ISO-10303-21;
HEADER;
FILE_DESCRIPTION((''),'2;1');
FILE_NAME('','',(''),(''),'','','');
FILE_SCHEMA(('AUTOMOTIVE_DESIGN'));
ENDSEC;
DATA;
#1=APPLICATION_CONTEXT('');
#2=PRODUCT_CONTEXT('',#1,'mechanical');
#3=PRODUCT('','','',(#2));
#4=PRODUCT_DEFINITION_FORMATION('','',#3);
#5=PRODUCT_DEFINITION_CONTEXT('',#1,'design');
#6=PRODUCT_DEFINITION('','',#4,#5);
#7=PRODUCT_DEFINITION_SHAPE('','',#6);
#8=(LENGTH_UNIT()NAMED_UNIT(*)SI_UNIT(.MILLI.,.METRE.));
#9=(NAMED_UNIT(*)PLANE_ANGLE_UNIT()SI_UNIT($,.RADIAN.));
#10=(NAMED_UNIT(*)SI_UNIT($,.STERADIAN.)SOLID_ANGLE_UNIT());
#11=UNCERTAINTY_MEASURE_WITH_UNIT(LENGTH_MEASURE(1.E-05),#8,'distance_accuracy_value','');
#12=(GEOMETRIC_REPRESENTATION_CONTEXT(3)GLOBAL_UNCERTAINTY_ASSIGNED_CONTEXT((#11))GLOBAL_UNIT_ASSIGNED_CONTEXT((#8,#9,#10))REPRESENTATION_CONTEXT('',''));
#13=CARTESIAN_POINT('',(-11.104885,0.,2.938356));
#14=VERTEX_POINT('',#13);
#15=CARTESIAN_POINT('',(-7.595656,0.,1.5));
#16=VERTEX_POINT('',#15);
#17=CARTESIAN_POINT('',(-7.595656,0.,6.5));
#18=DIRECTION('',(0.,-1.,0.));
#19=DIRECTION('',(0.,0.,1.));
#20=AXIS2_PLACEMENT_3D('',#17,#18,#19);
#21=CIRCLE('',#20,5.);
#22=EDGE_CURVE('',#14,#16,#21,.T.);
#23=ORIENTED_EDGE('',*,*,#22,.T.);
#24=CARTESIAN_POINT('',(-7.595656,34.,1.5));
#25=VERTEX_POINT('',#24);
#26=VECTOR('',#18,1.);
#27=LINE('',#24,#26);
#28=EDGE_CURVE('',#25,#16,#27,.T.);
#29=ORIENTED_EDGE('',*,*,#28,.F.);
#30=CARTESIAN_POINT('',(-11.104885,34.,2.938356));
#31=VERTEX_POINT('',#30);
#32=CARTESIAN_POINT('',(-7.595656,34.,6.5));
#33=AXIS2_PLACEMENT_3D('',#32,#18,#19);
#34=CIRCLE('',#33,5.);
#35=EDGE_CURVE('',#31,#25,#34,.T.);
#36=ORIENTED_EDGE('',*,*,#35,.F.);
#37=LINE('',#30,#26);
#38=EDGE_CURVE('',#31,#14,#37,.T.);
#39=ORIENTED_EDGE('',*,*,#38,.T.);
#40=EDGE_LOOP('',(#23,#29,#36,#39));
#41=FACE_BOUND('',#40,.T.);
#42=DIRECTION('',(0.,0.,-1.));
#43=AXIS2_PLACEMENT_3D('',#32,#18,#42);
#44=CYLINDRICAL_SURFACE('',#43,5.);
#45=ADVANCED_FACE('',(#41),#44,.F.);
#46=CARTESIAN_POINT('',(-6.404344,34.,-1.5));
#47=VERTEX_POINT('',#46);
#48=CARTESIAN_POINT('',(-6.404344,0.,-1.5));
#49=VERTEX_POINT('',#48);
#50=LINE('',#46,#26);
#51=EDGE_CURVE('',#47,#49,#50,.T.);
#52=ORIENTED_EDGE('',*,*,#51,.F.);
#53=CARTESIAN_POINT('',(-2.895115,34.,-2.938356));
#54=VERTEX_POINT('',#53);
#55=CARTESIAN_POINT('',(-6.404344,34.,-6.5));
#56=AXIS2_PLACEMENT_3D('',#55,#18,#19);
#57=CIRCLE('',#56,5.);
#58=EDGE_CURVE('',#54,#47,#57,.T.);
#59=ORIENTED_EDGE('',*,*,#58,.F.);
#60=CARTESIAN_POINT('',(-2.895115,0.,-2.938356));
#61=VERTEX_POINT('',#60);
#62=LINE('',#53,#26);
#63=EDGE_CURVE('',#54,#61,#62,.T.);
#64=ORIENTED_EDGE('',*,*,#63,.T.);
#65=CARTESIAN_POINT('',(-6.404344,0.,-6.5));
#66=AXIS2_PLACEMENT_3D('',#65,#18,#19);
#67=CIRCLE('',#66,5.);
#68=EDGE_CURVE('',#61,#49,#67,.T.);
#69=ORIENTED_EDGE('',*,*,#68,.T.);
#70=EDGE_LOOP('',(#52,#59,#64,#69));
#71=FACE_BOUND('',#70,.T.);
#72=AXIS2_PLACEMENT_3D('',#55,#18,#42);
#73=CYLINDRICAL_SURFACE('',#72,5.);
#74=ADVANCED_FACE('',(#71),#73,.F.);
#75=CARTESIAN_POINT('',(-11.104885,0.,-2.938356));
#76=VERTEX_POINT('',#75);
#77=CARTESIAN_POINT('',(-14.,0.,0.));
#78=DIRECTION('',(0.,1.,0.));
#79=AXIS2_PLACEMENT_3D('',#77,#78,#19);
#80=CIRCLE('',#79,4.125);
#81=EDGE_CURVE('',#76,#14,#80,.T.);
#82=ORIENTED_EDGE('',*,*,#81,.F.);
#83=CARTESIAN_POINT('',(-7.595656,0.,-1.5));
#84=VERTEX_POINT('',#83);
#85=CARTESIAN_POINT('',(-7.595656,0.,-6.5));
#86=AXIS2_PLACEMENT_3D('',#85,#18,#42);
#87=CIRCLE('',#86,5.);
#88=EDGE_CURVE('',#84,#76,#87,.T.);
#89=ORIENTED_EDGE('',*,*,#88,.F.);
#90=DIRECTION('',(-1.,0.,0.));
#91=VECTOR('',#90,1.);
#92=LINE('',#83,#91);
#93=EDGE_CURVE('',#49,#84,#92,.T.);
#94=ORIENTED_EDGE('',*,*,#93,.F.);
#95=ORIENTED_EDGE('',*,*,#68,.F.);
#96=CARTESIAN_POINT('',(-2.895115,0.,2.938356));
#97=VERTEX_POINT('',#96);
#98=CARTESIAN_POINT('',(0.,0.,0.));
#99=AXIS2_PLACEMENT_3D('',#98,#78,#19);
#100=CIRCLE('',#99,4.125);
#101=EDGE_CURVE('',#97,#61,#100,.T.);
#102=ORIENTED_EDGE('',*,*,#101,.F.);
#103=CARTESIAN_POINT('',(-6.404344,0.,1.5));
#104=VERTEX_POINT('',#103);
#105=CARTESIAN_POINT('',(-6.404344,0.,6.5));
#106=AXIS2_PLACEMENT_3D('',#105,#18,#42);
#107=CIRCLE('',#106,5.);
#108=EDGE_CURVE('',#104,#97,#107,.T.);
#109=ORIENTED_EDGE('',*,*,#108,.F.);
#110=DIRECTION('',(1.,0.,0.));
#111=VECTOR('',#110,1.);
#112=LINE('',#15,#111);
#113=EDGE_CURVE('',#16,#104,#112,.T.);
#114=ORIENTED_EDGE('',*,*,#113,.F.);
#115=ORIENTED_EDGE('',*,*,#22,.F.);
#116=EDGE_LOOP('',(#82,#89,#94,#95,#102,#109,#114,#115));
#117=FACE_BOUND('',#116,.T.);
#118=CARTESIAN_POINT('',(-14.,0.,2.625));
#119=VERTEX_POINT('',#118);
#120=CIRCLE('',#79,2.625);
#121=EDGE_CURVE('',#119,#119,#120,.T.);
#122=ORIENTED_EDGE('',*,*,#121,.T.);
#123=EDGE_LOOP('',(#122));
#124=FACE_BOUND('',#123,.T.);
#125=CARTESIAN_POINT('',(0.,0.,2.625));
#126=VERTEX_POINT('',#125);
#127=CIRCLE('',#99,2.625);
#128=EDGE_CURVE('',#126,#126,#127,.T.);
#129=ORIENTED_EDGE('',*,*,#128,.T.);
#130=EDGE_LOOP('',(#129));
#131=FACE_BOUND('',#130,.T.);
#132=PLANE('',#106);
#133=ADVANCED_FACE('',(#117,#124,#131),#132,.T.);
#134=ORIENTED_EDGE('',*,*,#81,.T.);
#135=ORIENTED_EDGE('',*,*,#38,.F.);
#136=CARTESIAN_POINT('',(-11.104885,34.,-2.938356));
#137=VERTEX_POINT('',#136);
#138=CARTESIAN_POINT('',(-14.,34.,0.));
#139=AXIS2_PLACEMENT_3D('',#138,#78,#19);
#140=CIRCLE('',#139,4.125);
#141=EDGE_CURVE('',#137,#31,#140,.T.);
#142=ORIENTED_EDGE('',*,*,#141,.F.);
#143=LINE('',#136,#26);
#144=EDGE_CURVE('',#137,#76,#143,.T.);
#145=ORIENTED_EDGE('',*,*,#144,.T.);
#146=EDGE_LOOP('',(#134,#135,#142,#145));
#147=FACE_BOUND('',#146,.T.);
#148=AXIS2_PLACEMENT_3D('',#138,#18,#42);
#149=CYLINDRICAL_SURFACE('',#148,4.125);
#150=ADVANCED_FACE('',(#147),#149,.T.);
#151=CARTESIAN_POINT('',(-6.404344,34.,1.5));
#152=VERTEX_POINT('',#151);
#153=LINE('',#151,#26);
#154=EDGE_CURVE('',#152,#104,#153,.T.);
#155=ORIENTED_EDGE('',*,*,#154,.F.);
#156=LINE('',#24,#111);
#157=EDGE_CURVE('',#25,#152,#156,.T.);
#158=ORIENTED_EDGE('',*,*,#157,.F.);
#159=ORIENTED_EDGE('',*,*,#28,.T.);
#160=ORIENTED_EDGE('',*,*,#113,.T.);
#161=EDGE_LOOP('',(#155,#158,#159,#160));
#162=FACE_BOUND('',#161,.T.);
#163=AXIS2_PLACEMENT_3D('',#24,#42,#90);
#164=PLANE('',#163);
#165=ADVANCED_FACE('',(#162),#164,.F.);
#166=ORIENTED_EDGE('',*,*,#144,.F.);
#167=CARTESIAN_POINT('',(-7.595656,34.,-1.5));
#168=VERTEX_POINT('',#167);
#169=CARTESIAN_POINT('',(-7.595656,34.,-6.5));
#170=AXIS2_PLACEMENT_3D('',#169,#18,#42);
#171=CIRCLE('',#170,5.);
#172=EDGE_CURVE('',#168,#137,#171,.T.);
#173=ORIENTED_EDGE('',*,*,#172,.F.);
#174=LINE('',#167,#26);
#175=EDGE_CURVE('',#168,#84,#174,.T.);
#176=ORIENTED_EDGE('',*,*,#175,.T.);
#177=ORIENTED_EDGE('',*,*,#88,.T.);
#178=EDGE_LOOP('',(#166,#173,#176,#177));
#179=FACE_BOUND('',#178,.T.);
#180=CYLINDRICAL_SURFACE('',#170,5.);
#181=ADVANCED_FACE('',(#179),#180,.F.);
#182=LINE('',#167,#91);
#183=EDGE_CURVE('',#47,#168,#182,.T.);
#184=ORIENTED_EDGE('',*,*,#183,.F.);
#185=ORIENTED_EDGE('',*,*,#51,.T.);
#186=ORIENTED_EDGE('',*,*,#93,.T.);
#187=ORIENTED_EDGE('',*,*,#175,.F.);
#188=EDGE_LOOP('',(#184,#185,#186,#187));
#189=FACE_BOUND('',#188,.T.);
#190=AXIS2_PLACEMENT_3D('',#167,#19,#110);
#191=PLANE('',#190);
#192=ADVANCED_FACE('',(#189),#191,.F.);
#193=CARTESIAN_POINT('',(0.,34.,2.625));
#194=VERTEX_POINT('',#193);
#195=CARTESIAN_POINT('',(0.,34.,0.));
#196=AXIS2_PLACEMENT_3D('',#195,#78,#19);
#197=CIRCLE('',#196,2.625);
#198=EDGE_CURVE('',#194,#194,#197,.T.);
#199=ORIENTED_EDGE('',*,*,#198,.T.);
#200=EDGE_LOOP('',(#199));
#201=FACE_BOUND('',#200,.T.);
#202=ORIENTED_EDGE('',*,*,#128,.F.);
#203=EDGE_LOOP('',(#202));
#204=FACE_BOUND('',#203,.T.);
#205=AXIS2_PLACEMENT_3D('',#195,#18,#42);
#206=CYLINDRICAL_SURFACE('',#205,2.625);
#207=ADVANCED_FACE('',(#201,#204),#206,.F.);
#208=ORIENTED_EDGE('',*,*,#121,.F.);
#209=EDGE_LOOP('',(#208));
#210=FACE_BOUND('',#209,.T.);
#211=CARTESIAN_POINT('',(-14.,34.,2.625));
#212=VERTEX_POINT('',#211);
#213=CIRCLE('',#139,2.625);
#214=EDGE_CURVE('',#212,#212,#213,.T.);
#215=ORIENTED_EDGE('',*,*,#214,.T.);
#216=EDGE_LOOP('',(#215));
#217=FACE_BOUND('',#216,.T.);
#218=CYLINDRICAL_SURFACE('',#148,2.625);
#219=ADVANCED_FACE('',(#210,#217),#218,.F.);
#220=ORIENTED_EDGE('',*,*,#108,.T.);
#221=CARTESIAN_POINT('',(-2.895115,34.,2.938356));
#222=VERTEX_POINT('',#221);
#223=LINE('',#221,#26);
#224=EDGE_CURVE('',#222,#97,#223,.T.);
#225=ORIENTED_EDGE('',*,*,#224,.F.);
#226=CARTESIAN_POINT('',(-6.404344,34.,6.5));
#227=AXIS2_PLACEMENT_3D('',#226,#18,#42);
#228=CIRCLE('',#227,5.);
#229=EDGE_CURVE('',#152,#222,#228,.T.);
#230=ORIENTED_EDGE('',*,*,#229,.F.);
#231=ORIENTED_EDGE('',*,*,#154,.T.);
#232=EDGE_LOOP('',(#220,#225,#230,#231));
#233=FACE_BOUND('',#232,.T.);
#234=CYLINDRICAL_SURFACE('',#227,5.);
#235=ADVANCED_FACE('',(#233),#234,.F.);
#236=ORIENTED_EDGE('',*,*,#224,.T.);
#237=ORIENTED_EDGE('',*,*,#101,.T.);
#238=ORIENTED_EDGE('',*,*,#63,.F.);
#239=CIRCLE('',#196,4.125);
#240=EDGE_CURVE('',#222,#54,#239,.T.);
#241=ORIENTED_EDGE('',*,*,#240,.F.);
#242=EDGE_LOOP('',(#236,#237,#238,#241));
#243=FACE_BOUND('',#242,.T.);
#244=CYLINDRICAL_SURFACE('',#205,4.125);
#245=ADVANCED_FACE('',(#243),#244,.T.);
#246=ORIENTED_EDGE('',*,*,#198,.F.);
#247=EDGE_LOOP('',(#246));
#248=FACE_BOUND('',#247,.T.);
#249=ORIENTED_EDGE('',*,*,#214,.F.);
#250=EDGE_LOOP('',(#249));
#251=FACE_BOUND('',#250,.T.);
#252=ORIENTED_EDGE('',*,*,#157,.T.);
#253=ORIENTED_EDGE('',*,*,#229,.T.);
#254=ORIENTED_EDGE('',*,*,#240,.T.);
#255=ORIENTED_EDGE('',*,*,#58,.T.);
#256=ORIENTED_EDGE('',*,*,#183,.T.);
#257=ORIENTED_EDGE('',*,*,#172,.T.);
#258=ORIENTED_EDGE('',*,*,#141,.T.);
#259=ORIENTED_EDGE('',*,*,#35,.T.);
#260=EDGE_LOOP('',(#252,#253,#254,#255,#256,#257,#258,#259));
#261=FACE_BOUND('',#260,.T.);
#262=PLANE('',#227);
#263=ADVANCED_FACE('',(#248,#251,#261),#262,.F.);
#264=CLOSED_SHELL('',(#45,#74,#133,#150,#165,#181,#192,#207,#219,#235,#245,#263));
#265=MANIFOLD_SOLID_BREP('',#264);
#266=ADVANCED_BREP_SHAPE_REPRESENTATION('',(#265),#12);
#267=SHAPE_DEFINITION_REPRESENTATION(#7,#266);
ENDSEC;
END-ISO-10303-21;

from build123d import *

# Parameters (mm, degrees)
SKETCH1_R           = 2.625
BOSS_EXTRUDE1_DEPTH = 34


with BuildPart() as part:
    # Sketch1 → Boss-Extrude1 (new body)
    with BuildSketch(Plane(origin=(0, 0, 0), x_dir=(1, 0, 0), z_dir=(0, 1, 0))):
        with BuildLine():
            Line((-7.595655771, 1.5), (-6.404344229, 1.5))
            ThreePointArc((-6.404344229, 1.5), (-4.508060914, 1.873542436), (-2.895114514, 2.938356164))
            ThreePointArc((-2.895114514, 2.938356164), (4.125, 0), (-2.895114514, -2.938356164))
            ThreePointArc((-2.895114514, -2.938356164), (-4.508060914, -1.873542436), (-6.404344229, -1.5))
            Line((-6.404344229, -1.5), (-7.595655771, -1.5))
            ThreePointArc((-7.595655771, -1.5), (-9.491939086, -1.873542436), (-11.104885486, -2.938356164))
            ThreePointArc((-11.104885486, -2.938356164), (-18.125, 0), (-11.104885486, 2.938356164))
            ThreePointArc((-11.104885486, 2.938356164), (-9.491939086, 1.873542436), (-7.595655771, 1.5))
        make_face()
        with Locations(Location((0, 0, 0), (0, 0, 270))):
            Circle(SKETCH1_R, mode=Mode.SUBTRACT)
        with Locations(Location((-14, 0, 0), (0, 0, 270))):
            Circle(SKETCH1_R, mode=Mode.SUBTRACT)
    extrude(amount=BOSS_EXTRUDE1_DEPTH)


solid = part.part
